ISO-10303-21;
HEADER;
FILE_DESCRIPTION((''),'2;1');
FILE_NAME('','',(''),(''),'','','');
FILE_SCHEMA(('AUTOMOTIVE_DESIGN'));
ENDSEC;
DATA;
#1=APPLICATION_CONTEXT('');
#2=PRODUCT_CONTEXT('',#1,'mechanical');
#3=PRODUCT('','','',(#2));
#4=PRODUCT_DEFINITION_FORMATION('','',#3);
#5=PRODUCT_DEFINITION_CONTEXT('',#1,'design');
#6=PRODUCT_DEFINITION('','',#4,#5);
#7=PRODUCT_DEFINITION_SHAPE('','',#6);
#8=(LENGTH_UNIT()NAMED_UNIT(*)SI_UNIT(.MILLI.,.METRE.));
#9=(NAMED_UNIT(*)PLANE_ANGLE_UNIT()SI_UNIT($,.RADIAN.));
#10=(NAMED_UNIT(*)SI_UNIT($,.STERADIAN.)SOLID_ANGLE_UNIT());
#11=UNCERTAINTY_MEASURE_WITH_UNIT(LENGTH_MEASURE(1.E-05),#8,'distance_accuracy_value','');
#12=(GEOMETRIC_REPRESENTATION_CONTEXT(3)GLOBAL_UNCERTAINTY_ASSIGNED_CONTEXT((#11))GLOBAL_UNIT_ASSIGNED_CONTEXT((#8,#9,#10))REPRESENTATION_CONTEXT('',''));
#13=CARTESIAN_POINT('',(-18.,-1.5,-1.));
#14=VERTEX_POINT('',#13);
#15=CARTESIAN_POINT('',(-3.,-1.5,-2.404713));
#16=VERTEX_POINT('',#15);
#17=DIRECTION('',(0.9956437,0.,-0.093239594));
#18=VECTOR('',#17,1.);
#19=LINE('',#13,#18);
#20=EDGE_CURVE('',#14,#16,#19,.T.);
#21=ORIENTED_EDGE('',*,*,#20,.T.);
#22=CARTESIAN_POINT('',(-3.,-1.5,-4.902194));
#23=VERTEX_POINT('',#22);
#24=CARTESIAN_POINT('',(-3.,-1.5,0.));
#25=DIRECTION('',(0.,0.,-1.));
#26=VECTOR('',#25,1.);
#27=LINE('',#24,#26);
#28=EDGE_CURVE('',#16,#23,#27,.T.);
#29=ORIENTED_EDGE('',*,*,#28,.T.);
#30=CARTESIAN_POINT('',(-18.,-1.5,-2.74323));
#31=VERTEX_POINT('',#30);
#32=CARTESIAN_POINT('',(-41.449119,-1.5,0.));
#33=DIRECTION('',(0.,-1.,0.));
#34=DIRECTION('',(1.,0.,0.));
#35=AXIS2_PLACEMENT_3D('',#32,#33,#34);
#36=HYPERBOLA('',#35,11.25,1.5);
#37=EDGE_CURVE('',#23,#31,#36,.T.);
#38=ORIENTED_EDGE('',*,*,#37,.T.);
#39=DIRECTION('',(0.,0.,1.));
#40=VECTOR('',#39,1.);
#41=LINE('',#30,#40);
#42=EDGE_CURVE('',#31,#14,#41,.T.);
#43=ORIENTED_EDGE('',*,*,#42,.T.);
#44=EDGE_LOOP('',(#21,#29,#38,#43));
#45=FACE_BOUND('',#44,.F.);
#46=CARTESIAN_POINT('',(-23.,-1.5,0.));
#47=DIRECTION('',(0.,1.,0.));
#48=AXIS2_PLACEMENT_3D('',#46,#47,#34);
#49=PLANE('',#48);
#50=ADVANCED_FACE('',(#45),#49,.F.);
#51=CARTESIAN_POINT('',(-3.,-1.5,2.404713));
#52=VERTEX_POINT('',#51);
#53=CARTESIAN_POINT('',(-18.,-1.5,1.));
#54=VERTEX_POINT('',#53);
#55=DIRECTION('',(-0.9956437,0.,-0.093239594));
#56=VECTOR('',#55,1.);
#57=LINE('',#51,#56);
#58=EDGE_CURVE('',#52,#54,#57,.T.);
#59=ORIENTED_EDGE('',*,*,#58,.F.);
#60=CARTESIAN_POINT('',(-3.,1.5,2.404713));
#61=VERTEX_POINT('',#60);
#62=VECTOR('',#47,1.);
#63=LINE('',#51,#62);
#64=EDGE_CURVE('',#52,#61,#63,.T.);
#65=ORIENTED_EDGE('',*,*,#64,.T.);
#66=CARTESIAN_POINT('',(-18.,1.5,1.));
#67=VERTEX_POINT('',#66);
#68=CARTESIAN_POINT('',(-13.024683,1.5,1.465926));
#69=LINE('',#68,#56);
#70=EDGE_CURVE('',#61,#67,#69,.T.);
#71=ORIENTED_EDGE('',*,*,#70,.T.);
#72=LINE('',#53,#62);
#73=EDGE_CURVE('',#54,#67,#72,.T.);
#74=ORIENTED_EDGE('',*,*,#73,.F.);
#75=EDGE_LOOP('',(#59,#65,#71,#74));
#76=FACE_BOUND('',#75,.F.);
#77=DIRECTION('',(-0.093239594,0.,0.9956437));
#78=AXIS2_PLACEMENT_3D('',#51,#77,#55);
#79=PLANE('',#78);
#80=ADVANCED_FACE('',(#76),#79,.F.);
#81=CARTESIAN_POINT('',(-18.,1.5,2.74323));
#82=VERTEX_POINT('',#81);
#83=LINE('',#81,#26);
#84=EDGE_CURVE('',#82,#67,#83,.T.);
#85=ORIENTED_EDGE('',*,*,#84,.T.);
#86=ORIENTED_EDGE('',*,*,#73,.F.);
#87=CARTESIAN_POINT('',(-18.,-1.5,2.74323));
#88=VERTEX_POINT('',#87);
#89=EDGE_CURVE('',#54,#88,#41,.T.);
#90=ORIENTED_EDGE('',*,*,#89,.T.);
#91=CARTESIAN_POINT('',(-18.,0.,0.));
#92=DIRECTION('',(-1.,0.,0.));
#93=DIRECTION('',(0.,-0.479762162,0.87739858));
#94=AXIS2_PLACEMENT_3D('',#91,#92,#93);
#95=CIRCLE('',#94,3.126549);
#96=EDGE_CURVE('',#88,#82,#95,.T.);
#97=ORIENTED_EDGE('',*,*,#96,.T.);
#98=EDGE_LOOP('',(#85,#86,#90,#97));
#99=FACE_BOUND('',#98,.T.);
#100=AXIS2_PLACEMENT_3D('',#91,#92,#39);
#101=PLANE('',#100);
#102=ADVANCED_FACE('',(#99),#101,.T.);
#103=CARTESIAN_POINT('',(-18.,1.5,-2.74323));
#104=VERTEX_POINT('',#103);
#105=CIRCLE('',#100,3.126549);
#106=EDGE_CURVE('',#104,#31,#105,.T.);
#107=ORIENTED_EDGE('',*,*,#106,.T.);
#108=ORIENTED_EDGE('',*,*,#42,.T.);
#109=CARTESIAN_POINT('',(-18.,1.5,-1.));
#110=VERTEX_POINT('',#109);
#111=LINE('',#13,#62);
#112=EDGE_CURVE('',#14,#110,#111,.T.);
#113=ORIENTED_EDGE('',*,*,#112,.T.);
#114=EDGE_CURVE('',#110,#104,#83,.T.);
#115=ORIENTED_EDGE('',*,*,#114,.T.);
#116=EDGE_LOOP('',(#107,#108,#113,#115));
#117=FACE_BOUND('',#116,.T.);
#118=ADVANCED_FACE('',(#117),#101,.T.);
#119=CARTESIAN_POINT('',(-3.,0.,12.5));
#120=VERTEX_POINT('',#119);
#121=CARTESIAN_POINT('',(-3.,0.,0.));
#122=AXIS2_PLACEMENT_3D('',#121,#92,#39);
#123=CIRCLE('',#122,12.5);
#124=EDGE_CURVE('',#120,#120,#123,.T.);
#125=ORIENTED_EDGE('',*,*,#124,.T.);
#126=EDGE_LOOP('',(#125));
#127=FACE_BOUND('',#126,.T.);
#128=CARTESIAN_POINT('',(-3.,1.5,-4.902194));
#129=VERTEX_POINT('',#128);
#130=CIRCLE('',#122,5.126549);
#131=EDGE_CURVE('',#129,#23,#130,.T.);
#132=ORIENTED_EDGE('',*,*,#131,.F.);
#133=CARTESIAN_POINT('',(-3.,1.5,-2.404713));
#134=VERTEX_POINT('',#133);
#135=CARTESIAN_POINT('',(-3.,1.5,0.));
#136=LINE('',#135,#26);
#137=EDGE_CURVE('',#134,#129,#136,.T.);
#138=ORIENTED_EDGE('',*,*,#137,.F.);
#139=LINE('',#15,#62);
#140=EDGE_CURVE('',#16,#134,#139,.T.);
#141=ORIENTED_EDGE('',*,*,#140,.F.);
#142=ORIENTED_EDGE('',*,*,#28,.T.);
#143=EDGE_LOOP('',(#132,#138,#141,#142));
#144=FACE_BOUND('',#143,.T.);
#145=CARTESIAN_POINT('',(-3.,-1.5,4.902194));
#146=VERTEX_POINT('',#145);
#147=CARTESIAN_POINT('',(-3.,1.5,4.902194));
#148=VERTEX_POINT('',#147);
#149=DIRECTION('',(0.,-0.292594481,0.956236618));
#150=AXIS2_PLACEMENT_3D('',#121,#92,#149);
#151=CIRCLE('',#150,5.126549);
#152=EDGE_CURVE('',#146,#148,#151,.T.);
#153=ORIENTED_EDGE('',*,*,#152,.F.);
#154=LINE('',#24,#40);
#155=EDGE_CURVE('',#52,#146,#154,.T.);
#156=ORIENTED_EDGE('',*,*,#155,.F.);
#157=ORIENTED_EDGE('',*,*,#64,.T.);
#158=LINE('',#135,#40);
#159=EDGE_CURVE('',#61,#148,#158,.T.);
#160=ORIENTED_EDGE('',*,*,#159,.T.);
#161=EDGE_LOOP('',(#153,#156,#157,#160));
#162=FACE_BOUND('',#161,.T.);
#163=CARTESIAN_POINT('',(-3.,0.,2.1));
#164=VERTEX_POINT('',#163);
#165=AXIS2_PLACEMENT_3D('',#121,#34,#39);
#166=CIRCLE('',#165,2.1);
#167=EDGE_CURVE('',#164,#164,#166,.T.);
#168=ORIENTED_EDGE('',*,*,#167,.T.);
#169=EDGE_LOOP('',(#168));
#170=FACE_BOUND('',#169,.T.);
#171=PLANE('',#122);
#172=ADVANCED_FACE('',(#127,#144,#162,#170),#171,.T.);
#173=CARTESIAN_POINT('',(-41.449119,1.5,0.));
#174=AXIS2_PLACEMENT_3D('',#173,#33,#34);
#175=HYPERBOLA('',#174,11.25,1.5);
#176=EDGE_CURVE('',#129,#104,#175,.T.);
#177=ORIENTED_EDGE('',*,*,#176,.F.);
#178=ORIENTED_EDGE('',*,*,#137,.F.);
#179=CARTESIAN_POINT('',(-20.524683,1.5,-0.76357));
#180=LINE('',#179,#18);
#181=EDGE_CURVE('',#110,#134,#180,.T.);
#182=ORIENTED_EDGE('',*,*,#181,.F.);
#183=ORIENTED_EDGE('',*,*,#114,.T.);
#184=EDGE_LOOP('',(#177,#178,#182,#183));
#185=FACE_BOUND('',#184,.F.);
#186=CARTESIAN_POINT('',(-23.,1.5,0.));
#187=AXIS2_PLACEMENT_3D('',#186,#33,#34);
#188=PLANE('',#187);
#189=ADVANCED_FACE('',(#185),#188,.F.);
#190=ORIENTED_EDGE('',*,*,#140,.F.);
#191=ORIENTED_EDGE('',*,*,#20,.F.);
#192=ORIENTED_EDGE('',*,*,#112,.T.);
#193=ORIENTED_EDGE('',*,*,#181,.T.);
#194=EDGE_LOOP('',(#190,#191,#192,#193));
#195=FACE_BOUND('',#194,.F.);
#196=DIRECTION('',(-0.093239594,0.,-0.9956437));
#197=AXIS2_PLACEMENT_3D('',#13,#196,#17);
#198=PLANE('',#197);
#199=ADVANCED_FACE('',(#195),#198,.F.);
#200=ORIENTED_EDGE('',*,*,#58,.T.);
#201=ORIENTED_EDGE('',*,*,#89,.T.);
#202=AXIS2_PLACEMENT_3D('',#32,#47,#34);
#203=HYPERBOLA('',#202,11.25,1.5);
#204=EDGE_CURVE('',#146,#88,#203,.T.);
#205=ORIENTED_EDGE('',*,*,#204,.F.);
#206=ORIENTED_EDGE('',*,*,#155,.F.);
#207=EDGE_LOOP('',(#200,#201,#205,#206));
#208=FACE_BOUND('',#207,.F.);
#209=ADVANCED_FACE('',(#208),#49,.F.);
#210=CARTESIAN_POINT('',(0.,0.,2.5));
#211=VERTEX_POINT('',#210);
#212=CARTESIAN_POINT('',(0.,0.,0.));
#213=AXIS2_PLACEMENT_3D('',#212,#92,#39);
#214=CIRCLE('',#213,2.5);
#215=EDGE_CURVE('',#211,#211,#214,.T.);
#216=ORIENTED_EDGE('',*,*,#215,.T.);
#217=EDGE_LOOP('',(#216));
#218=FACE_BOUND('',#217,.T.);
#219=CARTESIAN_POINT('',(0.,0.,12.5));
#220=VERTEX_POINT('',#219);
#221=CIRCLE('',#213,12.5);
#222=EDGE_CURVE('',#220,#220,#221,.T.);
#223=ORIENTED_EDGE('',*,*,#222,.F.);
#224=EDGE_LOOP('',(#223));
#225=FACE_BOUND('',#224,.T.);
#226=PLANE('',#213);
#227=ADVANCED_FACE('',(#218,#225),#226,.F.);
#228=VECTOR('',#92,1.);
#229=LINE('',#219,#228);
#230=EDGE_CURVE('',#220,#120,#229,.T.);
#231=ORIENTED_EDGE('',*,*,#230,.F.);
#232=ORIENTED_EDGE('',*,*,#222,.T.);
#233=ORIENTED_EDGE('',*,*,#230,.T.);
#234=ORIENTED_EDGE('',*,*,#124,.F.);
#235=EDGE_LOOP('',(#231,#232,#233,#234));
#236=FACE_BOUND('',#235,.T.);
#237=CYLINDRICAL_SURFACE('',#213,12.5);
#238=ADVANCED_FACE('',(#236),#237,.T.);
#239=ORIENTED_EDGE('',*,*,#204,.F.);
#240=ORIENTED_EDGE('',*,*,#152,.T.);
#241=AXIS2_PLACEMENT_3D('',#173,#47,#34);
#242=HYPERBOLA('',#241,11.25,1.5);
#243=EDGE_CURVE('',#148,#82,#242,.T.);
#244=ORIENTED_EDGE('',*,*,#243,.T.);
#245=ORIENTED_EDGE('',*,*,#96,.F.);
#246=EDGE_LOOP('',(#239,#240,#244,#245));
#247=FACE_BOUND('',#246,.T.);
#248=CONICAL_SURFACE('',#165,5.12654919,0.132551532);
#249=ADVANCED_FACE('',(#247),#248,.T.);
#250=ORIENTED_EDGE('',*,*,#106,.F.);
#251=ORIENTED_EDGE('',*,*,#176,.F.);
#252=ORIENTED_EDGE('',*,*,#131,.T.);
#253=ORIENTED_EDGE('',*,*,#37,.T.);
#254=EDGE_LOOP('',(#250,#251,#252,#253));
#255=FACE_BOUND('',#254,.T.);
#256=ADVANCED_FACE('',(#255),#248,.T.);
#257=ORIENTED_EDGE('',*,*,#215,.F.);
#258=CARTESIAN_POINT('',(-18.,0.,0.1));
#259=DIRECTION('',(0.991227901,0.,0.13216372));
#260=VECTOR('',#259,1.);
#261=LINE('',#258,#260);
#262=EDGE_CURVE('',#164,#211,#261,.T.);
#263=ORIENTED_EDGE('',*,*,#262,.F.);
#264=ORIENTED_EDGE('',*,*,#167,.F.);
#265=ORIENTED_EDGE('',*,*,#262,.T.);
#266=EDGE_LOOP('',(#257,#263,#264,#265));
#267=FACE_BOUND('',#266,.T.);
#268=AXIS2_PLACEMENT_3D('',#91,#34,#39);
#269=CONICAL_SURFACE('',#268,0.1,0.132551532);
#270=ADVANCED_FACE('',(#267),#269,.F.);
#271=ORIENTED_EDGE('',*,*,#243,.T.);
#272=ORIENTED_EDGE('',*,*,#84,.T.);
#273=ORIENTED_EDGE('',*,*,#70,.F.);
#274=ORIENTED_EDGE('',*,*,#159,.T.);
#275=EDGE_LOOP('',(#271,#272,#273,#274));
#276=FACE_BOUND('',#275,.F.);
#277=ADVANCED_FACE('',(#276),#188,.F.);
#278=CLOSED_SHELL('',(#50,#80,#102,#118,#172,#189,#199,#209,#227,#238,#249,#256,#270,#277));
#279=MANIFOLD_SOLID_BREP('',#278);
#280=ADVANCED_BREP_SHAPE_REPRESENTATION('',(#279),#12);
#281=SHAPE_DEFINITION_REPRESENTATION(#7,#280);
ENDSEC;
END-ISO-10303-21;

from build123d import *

# Parameters (mm, degrees)
F3_W     = 20
F3_H     = 4.5714285318
F4_DEPTH = 12.501
F5_DEPTH = 25
F7_DEPTH = 14.001


with BuildPart() as f2:
    # F0 (on Front) → F2 (revolve)
    with BuildSketch(Plane.XZ):
        Polygon((-18, 3.1265491901), (-18, 0.1), (0, 2.5), (0, 12.5), (-3, 12.5), (-3, 5.1265491901), align=None)
    revolve(axis=Axis((-8.8342446834, 0, 0), (-1, 0, 0)))

    # F3 (on Top) → F4 (cut, through all)
    with BuildSketch(Plane.XY):
        with Locations((-13, 3.7857142659)):
            Rectangle(F3_W, F3_H)
        with Locations((-13, -3.7857142659)):
            Rectangle(F3_W, F3_H)
    extrude(amount=F4_DEPTH, mode=Mode.SUBTRACT)

    # F3 (on Top) → F5 (cut)
    with BuildSketch(Plane.XY):
        with Locations((-13, 3.7857142659)):
            Rectangle(F3_W, F3_H)
        with Locations((-13, -3.7857142659)):
            Rectangle(F3_W, F3_H)
    extrude(amount=-F5_DEPTH, mode=Mode.SUBTRACT)

    # F6 (on face) → F7 (cut, through all)
    with BuildSketch(Plane.XZ.offset(1.5)):
        Polygon((-3, 0), (-3, 2.4047132604), (-18, 1), (-18, 0), (-18, -1), (-3, -2.4047132604), align=None)
    extrude(amount=-F7_DEPTH, mode=Mode.SUBTRACT)


solid = f2.part
